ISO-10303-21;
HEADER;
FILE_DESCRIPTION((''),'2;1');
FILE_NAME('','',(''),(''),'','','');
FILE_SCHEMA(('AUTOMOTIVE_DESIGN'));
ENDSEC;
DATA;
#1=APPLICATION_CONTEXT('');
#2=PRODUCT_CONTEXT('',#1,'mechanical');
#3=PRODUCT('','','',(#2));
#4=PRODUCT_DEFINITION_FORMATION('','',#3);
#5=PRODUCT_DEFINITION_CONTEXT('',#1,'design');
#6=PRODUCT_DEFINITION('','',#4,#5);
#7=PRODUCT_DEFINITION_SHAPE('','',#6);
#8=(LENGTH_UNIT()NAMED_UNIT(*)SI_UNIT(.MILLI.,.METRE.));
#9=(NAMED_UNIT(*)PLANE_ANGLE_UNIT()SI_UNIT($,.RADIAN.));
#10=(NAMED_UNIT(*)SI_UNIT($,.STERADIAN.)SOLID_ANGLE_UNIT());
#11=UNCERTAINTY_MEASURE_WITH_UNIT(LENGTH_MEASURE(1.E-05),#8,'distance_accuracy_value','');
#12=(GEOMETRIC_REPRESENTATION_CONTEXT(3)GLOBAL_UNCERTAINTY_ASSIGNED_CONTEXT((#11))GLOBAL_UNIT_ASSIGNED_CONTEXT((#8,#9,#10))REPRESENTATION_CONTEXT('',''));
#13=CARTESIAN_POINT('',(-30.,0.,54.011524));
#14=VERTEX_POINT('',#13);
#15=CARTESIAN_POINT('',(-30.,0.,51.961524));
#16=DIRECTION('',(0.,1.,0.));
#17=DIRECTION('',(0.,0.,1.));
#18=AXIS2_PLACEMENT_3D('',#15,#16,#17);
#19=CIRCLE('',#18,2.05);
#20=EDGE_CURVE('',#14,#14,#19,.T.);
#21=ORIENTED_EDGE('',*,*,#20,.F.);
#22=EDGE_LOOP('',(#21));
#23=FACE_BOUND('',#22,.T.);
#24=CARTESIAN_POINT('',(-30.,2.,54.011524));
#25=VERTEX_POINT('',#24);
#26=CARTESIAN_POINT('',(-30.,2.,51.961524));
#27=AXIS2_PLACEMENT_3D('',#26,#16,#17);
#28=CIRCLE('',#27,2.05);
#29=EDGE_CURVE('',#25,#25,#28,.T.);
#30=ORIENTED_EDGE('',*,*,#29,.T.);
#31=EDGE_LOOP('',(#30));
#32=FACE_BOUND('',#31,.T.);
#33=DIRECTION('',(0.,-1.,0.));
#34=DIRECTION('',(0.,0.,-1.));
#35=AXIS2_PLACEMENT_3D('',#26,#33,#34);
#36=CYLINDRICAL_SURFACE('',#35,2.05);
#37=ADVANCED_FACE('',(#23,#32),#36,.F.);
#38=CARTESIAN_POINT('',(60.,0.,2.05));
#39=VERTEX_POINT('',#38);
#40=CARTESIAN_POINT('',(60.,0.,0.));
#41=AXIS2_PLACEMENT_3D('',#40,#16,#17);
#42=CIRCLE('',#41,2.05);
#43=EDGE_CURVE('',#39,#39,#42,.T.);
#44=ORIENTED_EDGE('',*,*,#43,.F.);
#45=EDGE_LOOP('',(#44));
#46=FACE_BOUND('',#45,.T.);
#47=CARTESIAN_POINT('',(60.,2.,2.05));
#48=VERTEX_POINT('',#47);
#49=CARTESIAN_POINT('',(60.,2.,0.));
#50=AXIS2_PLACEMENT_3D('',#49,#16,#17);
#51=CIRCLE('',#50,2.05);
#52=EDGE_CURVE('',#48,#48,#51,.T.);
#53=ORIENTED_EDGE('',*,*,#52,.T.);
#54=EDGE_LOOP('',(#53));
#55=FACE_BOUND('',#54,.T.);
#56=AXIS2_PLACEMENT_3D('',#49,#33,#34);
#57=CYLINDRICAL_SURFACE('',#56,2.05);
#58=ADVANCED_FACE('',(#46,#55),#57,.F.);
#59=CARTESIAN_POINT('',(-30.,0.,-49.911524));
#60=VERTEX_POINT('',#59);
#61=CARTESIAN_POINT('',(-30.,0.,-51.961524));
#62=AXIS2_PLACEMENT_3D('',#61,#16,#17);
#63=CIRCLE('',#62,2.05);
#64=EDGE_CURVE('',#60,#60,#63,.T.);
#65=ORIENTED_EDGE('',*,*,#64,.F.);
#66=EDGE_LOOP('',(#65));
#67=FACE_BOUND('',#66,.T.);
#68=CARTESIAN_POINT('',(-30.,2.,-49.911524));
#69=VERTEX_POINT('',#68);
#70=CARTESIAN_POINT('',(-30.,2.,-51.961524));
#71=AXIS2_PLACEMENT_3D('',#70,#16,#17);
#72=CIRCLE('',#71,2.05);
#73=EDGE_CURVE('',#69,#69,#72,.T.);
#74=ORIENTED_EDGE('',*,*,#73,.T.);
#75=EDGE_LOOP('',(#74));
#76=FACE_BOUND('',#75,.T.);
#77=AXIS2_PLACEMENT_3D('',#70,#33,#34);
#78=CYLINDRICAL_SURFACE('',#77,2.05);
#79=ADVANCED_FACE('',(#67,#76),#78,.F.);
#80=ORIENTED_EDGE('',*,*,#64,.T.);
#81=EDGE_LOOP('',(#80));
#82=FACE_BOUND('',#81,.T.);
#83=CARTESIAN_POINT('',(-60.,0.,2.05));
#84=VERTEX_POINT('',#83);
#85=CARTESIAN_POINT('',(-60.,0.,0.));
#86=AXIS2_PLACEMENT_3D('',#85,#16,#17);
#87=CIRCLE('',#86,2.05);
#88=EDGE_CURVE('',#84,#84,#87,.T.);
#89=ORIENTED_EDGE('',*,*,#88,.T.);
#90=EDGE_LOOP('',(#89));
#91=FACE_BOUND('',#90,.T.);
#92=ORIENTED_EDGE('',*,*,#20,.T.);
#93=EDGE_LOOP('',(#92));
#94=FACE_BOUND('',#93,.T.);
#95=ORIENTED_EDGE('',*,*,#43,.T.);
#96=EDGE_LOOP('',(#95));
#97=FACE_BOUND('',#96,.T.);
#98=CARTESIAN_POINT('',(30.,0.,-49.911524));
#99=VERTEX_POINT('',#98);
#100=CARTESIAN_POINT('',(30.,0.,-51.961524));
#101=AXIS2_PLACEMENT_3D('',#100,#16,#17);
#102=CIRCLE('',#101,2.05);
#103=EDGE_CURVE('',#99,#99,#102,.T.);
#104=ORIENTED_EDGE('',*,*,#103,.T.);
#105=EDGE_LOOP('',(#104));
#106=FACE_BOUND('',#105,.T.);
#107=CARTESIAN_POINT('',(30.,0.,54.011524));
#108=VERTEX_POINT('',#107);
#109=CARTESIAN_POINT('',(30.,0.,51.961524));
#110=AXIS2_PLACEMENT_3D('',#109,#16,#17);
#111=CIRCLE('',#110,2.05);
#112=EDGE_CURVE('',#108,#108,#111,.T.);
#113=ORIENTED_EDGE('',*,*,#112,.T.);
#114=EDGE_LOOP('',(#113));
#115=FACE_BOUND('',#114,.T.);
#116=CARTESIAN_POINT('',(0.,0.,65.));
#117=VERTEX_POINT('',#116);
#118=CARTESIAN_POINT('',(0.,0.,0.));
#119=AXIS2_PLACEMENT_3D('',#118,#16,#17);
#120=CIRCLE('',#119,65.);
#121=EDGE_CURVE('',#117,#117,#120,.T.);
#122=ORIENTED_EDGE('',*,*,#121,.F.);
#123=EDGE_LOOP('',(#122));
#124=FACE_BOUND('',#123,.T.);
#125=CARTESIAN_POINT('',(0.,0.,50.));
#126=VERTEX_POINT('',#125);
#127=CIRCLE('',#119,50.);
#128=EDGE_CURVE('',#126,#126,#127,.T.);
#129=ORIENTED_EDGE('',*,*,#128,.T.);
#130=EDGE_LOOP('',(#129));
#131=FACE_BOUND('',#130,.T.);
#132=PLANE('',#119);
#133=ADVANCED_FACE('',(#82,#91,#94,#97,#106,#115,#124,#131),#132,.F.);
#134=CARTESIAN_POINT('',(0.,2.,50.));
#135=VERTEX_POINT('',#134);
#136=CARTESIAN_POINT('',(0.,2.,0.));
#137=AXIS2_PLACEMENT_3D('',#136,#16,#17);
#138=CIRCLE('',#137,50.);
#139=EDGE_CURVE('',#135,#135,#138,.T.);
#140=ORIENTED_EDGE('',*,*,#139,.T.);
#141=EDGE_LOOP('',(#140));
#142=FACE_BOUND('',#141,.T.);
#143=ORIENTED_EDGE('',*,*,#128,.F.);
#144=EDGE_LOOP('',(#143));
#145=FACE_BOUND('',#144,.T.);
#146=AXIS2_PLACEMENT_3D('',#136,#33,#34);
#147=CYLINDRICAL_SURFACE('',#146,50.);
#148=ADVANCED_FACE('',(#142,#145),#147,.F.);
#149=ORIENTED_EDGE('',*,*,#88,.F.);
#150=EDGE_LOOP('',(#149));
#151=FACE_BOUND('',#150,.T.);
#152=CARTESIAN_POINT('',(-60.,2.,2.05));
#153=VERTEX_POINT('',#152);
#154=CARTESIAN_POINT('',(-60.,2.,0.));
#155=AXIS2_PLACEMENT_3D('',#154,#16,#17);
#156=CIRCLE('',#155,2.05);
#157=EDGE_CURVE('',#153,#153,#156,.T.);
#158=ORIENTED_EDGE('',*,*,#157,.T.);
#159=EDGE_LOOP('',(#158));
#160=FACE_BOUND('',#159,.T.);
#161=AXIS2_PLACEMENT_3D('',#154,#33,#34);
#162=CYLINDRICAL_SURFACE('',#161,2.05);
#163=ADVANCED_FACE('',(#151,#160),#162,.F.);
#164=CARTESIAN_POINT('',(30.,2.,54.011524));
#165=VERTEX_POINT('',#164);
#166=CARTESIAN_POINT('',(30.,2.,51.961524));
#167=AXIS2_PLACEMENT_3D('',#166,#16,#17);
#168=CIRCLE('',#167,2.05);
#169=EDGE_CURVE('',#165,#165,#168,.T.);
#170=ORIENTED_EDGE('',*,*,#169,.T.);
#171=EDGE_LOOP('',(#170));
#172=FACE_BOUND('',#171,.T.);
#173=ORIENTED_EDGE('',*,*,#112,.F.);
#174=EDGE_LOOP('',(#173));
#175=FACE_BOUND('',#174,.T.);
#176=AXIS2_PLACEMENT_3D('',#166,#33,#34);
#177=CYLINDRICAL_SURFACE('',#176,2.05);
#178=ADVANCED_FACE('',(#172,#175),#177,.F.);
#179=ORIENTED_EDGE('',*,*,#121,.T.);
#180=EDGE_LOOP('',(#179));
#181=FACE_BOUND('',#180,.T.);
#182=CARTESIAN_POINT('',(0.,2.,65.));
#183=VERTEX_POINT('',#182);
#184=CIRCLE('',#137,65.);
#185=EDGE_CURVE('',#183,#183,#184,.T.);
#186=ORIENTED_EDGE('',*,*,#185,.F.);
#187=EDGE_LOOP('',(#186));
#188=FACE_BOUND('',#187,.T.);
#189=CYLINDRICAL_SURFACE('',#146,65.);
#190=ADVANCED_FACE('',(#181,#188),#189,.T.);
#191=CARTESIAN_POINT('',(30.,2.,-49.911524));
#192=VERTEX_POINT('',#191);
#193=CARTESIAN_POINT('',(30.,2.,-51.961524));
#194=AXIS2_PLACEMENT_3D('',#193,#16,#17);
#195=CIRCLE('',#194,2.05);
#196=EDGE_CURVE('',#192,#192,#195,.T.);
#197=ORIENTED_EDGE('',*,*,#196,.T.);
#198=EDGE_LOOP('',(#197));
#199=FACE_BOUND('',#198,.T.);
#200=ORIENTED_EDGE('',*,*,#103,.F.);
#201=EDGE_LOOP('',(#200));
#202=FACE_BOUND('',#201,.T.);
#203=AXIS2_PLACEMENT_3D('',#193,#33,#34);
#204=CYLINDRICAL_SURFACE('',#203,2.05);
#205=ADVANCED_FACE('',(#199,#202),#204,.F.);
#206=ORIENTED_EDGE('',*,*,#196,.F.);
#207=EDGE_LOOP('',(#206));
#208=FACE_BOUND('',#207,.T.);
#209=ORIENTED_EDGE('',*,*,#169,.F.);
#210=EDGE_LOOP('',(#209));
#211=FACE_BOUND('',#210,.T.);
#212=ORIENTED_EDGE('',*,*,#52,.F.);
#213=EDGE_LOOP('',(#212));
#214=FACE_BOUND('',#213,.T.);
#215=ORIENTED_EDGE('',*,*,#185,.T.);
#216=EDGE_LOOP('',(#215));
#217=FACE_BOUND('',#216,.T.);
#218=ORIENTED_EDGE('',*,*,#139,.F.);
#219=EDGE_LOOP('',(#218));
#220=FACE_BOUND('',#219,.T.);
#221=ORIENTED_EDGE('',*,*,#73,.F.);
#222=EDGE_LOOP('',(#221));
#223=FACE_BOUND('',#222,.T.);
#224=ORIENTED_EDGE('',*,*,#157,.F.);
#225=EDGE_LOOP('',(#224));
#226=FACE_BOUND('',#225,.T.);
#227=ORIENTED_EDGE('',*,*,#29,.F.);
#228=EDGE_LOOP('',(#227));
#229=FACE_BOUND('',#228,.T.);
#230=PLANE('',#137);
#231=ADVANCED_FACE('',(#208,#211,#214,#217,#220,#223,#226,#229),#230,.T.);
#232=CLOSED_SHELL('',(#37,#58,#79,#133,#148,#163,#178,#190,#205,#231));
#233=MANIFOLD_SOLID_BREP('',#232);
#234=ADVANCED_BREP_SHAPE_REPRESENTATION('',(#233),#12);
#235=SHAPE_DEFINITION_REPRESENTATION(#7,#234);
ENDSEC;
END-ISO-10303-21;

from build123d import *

# Parameters (mm, degrees)
SKETCH_1_R      = 65
SKETCH_1_R_2    = 50
SKETCH_1_R_3    = 2.05
EXTRUDE_1_DEPTH = 2


with BuildPart() as part:
    # 草图1 → 凸台-拉伸1 (new body)
    with BuildSketch(Plane(origin=(0, 0, 0), x_dir=(1, 0, 0), z_dir=(0, 1, 0))):
        with Locations(Location((0, 0, 0), (0, 0, 270))):
            Circle(SKETCH_1_R)
        with Locations(Location((0, 0, 0), (0, 0, 270))):
            Circle(SKETCH_1_R_2, mode=Mode.SUBTRACT)
        with Locations(Location((60, 0, 0), (0, 0, 270))):
            Circle(SKETCH_1_R_3, mode=Mode.SUBTRACT)
        with Locations(Location((30, -51.961524227, 0), (0, 0, 270))):
            Circle(SKETCH_1_R_3, mode=Mode.SUBTRACT)
        with Locations(Location((-30, -51.961524227, 0), (0, 0, 270))):
            Circle(SKETCH_1_R_3, mode=Mode.SUBTRACT)
        with Locations(Location((-60, 0, 0), (0, 0, 270))):
            Circle(SKETCH_1_R_3, mode=Mode.SUBTRACT)
        with Locations(Location((-30, 51.961524227, 0), (0, 0, 270))):
            Circle(SKETCH_1_R_3, mode=Mode.SUBTRACT)
        with Locations(Location((30, 51.961524227, 0), (0, 0, 270))):
            Circle(SKETCH_1_R_3, mode=Mode.SUBTRACT)
    extrude(amount=EXTRUDE_1_DEPTH)


solid = part.part
